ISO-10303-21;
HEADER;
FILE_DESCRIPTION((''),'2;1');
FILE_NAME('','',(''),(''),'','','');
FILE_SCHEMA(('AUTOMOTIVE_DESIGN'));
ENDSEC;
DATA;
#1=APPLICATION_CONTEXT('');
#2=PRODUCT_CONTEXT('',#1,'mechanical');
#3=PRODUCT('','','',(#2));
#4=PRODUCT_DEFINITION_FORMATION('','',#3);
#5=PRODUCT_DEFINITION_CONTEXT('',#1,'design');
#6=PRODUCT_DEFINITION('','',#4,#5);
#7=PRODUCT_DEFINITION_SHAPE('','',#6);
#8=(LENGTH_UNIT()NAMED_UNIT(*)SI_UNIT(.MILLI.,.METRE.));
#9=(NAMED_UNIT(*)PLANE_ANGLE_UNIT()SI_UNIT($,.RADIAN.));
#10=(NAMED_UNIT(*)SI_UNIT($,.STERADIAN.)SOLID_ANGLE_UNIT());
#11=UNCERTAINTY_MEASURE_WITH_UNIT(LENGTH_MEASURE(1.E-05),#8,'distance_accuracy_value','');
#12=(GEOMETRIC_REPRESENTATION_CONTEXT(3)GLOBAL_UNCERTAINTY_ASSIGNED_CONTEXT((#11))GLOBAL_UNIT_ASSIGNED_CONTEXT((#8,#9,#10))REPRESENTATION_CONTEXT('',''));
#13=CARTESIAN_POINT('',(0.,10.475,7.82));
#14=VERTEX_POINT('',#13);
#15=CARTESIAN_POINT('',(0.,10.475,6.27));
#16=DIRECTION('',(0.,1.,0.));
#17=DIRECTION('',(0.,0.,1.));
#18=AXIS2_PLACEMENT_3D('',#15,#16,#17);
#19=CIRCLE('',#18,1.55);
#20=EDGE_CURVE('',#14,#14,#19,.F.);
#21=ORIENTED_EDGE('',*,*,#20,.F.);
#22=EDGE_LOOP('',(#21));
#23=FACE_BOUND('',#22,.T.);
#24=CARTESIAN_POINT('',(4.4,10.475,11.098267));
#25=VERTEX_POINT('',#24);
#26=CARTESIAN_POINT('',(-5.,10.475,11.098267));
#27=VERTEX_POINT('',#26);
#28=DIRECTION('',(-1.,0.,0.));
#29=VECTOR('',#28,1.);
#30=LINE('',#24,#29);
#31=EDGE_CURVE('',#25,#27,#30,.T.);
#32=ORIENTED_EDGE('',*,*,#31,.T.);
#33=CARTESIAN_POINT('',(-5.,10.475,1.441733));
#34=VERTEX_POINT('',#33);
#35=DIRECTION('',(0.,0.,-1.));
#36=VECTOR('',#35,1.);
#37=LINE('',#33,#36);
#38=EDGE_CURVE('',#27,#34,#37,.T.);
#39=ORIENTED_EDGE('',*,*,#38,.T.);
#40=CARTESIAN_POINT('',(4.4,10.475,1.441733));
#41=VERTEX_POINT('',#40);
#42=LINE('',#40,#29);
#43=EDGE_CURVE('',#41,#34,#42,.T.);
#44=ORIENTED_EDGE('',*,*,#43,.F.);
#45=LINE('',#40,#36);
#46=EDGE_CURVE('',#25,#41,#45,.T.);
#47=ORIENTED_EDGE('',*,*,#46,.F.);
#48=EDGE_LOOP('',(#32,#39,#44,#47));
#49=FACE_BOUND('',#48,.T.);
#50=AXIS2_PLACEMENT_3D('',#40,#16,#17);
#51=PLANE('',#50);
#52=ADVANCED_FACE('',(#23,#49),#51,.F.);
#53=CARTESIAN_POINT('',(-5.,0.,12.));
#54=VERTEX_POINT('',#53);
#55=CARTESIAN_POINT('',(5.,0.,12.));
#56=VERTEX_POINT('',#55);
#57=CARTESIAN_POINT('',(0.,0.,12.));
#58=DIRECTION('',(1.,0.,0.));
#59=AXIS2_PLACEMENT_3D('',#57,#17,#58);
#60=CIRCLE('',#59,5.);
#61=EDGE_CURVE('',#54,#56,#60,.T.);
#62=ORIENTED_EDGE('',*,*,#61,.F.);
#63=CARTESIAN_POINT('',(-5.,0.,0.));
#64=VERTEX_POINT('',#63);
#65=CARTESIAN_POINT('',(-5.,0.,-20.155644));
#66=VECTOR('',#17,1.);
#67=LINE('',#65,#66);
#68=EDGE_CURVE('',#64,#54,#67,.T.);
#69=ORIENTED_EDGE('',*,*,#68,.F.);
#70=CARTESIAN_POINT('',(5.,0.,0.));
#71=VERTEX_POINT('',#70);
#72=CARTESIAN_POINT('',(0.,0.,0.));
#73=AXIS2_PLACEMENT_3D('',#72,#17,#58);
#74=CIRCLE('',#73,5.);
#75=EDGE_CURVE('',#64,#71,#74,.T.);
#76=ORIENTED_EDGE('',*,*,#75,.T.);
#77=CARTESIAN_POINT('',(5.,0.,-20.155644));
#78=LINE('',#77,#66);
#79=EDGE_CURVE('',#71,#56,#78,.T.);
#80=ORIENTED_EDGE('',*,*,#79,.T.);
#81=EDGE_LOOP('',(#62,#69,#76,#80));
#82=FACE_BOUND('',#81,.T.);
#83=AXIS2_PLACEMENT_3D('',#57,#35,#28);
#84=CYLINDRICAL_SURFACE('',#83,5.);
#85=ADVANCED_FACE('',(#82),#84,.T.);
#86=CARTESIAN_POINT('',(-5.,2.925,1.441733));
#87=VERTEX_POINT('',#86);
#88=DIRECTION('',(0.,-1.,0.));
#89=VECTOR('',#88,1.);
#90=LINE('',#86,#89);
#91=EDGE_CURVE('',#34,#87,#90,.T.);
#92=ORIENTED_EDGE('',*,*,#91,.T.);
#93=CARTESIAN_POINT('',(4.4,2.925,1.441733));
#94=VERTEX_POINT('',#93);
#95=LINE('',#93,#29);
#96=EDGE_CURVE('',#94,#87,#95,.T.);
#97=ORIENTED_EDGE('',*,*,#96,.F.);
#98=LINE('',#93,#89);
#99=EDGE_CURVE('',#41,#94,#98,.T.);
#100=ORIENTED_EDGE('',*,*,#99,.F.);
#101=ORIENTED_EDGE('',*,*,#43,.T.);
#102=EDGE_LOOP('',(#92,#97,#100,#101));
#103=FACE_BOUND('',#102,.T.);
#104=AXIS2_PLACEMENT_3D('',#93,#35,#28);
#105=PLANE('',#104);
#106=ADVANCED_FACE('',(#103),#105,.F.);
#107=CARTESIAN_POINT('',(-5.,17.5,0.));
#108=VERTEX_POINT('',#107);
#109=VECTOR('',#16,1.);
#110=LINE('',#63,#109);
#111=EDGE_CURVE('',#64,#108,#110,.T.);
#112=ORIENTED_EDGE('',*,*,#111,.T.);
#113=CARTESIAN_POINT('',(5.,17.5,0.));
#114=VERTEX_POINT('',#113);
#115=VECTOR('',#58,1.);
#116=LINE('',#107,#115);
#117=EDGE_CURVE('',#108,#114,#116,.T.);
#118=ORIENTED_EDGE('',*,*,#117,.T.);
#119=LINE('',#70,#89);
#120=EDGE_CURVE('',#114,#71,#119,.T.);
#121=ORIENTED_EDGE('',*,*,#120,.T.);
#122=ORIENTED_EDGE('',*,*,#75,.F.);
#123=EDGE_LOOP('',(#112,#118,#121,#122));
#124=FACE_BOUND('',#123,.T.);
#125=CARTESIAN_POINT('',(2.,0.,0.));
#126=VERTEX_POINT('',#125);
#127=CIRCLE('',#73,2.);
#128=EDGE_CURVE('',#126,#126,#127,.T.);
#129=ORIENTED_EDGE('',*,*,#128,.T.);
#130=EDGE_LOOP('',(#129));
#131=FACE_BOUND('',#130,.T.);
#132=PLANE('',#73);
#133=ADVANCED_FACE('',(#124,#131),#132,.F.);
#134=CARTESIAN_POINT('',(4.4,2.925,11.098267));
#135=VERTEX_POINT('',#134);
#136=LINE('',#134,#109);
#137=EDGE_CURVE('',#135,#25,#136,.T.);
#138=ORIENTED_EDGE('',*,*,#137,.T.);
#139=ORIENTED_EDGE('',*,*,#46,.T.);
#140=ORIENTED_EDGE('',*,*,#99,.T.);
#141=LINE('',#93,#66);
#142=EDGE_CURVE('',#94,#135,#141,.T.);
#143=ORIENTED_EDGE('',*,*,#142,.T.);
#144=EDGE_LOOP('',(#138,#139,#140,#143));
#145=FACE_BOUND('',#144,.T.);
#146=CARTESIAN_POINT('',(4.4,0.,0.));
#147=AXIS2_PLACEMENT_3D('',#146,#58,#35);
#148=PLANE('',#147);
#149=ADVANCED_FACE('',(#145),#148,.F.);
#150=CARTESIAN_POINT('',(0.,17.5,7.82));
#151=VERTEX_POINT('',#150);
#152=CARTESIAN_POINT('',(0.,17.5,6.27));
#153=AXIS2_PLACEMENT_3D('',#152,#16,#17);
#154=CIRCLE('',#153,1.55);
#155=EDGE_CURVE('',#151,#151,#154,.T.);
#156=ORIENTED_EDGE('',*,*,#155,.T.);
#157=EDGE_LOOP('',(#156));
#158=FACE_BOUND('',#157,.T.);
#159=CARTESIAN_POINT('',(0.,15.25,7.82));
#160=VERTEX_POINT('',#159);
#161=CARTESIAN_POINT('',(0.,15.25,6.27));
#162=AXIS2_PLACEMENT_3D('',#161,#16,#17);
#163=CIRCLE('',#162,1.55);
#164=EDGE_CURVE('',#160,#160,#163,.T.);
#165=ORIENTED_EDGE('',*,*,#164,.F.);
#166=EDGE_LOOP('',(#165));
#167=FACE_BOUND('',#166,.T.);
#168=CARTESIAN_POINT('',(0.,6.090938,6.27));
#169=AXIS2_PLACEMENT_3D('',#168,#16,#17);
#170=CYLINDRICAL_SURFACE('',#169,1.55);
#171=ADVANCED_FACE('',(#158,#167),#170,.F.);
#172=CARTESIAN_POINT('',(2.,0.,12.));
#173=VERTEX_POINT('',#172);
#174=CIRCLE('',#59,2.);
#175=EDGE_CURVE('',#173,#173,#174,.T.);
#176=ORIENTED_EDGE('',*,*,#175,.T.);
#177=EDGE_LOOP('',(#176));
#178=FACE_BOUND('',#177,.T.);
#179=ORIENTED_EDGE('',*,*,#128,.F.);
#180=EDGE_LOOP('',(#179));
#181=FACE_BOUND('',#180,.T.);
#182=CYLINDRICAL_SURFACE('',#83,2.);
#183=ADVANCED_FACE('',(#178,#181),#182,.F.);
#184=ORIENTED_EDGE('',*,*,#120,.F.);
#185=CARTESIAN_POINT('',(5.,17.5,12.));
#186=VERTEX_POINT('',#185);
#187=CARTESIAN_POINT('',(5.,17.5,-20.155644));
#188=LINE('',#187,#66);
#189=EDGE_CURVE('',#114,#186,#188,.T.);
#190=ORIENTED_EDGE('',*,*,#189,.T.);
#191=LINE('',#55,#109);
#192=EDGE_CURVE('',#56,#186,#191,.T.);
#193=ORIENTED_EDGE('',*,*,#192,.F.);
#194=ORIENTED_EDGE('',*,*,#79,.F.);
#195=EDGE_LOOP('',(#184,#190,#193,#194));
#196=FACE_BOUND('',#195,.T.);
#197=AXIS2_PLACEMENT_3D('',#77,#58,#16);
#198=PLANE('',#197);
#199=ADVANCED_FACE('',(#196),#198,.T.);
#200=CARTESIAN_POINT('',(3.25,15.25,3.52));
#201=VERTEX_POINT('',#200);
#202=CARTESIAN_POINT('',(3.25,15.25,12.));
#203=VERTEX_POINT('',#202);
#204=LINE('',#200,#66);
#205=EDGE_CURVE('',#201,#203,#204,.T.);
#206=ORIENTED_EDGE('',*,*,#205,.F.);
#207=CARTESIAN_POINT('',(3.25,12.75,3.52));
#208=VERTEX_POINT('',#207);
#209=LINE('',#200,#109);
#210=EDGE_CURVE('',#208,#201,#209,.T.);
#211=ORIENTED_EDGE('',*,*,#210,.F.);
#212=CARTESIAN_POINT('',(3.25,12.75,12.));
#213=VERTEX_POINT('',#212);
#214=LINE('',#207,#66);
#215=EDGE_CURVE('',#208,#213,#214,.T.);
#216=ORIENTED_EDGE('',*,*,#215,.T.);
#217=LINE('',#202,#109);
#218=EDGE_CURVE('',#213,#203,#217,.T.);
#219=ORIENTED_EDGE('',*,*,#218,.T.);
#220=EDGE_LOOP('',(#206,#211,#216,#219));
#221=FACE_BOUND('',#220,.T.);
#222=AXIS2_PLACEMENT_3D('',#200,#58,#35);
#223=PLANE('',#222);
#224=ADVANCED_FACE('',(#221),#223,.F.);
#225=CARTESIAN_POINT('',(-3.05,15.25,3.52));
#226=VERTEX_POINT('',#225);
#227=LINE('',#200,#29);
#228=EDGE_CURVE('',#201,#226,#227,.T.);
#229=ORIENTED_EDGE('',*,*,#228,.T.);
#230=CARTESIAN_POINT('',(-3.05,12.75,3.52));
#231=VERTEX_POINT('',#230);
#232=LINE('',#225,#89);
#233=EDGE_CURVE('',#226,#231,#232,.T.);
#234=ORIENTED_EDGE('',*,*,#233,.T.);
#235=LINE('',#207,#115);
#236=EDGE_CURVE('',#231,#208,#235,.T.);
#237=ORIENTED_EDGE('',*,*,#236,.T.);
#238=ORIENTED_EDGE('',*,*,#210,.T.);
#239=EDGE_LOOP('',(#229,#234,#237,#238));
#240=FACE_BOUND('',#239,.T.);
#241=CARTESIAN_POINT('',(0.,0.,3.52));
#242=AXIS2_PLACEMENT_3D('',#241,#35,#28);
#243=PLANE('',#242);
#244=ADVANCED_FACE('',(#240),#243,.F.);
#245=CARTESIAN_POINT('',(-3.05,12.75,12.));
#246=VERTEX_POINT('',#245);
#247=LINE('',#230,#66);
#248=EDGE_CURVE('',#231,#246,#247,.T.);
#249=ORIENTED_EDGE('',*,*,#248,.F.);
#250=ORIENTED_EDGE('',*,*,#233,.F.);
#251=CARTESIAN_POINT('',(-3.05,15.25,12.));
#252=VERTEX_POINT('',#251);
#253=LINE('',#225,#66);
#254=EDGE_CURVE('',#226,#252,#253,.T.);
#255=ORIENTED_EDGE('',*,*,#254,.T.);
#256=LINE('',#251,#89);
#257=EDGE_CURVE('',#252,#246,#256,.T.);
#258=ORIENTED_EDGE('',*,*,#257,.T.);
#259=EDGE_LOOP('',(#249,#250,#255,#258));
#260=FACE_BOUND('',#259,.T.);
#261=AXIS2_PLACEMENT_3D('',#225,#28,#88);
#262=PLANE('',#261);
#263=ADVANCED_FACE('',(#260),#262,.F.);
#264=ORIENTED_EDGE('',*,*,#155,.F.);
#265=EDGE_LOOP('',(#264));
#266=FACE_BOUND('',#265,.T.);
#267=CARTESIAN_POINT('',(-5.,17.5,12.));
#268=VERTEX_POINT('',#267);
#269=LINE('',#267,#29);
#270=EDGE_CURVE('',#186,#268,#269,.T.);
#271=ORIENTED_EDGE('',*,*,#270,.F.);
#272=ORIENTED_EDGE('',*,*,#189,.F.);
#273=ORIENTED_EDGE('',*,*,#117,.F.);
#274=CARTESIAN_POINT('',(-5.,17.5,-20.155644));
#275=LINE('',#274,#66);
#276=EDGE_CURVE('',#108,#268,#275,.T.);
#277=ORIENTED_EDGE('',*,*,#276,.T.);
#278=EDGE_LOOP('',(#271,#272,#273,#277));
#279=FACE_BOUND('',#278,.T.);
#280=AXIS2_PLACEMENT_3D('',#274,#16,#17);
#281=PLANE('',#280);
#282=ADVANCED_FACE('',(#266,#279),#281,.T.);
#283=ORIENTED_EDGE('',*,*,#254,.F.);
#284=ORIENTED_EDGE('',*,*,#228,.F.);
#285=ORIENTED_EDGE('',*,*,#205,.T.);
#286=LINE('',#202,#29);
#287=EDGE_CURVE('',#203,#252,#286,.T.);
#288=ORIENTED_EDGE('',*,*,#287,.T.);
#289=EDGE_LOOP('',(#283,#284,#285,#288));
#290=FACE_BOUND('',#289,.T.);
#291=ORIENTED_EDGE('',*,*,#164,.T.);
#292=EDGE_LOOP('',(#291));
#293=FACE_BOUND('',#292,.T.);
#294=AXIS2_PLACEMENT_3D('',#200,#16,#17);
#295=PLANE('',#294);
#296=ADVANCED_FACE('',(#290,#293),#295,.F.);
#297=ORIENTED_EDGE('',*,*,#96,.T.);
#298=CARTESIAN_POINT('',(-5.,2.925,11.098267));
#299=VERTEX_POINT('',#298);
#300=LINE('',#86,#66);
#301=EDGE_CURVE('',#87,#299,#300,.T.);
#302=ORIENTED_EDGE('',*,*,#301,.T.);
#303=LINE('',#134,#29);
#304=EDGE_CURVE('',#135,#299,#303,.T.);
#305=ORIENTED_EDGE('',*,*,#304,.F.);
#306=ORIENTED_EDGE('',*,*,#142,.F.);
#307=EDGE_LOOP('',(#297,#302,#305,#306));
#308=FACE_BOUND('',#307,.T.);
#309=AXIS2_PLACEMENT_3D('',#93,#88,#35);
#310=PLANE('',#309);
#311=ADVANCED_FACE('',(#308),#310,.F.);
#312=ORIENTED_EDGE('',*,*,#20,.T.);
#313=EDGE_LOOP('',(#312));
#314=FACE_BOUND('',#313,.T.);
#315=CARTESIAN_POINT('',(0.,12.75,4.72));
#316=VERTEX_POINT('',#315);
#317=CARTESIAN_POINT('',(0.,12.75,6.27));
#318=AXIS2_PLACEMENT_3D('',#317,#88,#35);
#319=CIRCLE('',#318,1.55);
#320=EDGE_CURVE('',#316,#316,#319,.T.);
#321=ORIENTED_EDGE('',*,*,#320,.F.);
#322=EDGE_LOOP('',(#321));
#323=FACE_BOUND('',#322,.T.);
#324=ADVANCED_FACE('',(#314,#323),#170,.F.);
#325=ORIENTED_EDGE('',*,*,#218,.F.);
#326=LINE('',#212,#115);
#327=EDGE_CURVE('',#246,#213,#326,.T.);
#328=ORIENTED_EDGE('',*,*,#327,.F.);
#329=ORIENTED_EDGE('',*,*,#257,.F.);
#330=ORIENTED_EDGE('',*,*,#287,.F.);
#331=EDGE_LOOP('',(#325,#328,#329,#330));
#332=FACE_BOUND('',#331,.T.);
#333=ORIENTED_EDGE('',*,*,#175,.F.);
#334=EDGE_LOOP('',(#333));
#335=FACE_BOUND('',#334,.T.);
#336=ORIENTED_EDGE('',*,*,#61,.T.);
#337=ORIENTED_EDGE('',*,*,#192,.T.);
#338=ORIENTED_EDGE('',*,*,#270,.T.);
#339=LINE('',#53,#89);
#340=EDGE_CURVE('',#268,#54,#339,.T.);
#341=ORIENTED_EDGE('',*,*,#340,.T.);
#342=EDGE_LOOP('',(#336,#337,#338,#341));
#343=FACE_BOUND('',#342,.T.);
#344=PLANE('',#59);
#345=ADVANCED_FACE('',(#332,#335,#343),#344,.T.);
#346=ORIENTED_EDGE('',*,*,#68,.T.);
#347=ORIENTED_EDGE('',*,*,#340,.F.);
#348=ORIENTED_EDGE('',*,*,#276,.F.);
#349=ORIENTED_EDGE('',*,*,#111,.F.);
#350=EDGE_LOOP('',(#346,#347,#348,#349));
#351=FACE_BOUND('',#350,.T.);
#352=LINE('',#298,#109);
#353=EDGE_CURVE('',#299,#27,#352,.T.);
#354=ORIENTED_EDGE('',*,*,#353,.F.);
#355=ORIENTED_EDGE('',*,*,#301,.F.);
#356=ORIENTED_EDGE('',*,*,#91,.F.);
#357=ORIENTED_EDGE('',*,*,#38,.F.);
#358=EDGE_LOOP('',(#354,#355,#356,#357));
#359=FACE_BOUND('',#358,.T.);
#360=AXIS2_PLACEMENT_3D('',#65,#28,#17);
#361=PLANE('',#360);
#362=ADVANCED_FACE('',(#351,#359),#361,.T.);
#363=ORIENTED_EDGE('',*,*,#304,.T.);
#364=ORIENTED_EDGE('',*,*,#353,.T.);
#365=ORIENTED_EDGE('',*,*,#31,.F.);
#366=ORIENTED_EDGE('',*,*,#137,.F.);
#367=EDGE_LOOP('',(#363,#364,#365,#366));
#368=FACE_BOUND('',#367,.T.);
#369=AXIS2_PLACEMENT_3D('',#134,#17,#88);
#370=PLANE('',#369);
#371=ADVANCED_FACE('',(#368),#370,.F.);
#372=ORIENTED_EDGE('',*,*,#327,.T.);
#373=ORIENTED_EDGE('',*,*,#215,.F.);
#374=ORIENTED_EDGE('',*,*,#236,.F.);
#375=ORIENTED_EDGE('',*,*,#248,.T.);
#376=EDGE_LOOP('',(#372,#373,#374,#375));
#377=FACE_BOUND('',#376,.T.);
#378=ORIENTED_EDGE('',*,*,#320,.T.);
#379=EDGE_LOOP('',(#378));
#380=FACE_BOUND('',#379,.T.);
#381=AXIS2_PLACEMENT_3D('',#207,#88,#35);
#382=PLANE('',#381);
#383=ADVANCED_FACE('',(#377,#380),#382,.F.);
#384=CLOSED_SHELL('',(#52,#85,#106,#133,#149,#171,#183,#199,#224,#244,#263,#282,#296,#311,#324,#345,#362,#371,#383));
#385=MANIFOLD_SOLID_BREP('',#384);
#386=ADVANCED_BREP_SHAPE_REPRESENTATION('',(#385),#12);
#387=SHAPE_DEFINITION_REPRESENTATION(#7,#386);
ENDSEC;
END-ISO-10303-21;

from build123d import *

# Parameters (mm, degrees)
SKETCH_1_R          = 5
SKETCH_1_R_2        = 2
EXTRUDE_1_DEPTH     = 12
SKETCH_2_W          = 10
SKETCH_2_H          = 17.5
EXTRUDE_2_DEPTH     = 12
SKETCH_3_R          = 2
CUT_EXTRUDE_1_DEPTH = 22.800229357
SKETCH_5_W          = 6.3
SKETCH_5_H          = 2.5
CUT_EXTRUDE_3_DEPTH = 8.48
SKETCH_10_W         = 9.65653404
SKETCH_10_H         = 7.55
CUT_EXTRUDE_5_DEPTH = 9.4
CUT_EXTRUDE_4_REACH = 27.986
SKETCH_6_R          = 1.55


with BuildPart() as part:
    # Эскиз1 → Бобышка-Вытянуть1 (new body)
    with BuildSketch(Plane.XY):
        Circle(SKETCH_1_R)
        Circle(SKETCH_1_R_2, mode=Mode.SUBTRACT)
    extrude(amount=EXTRUDE_1_DEPTH)

    # Эскиз2 → Бобышка-Вытянуть2 (add)
    with BuildSketch(Plane.XY.offset(12)):
        with Locations((0, 8.75)):
            Rectangle(SKETCH_2_W, SKETCH_2_H)
    extrude(amount=-EXTRUDE_2_DEPTH)

    # Эскиз3 → Вырез-Вытянуть1 (cut, through all)
    with BuildSketch(Plane.XY.offset(12)):
        Circle(SKETCH_3_R)
    extrude(amount=-CUT_EXTRUDE_1_DEPTH, mode=Mode.SUBTRACT)

    # Эскиз5 → Вырез-Вытянуть3 (cut)
    with BuildSketch(Plane.XY.offset(12)):
        with Locations((0.1, 14)):
            Rectangle(SKETCH_5_W, SKETCH_5_H)
    extrude(amount=-CUT_EXTRUDE_3_DEPTH, mode=Mode.SUBTRACT)

    # Эскиз10 → Вырез-Вытянуть5 (cut)
    with BuildSketch(Plane.ZY.offset(5)):
        with Locations((6.27, 6.7)):
            Rectangle(SKETCH_10_W, SKETCH_10_H)
    extrude(amount=-CUT_EXTRUDE_5_DEPTH, mode=Mode.SUBTRACT)

    # Вырез-Вытянуть4: up to this face of the body (flat: up to its plane)
    cut_extrude_4_end = Plane(part.part.faces().sort_by_distance((-0.3, 10.475, 6.27))[0])
    # Эскиз6 → Вырез-Вытянуть4 (cut, up to the picked face)
    with BuildSketch(Plane(origin=(0, 17.5, 0), x_dir=(1, 0, 0), z_dir=(0, 1, 0)), mode=Mode.PRIVATE) as cut_extrude_4_sk1:
        with Locations(Location((0, -6.27, 0), (0, 0, 270))):
            Circle(SKETCH_6_R)
    cut_extrude_4_tool1 = split(extrude(cut_extrude_4_sk1.sketch, amount=-CUT_EXTRUDE_4_REACH, mode=Mode.PRIVATE), bisect_by=cut_extrude_4_end, keep=Keep.BOTH, mode=Mode.PRIVATE)
    add(cut_extrude_4_tool1.solids().sort_by(Axis((0, 17.5, 6.27), (0, -1, 0)))[0], mode=Mode.SUBTRACT)


solid = part.part
